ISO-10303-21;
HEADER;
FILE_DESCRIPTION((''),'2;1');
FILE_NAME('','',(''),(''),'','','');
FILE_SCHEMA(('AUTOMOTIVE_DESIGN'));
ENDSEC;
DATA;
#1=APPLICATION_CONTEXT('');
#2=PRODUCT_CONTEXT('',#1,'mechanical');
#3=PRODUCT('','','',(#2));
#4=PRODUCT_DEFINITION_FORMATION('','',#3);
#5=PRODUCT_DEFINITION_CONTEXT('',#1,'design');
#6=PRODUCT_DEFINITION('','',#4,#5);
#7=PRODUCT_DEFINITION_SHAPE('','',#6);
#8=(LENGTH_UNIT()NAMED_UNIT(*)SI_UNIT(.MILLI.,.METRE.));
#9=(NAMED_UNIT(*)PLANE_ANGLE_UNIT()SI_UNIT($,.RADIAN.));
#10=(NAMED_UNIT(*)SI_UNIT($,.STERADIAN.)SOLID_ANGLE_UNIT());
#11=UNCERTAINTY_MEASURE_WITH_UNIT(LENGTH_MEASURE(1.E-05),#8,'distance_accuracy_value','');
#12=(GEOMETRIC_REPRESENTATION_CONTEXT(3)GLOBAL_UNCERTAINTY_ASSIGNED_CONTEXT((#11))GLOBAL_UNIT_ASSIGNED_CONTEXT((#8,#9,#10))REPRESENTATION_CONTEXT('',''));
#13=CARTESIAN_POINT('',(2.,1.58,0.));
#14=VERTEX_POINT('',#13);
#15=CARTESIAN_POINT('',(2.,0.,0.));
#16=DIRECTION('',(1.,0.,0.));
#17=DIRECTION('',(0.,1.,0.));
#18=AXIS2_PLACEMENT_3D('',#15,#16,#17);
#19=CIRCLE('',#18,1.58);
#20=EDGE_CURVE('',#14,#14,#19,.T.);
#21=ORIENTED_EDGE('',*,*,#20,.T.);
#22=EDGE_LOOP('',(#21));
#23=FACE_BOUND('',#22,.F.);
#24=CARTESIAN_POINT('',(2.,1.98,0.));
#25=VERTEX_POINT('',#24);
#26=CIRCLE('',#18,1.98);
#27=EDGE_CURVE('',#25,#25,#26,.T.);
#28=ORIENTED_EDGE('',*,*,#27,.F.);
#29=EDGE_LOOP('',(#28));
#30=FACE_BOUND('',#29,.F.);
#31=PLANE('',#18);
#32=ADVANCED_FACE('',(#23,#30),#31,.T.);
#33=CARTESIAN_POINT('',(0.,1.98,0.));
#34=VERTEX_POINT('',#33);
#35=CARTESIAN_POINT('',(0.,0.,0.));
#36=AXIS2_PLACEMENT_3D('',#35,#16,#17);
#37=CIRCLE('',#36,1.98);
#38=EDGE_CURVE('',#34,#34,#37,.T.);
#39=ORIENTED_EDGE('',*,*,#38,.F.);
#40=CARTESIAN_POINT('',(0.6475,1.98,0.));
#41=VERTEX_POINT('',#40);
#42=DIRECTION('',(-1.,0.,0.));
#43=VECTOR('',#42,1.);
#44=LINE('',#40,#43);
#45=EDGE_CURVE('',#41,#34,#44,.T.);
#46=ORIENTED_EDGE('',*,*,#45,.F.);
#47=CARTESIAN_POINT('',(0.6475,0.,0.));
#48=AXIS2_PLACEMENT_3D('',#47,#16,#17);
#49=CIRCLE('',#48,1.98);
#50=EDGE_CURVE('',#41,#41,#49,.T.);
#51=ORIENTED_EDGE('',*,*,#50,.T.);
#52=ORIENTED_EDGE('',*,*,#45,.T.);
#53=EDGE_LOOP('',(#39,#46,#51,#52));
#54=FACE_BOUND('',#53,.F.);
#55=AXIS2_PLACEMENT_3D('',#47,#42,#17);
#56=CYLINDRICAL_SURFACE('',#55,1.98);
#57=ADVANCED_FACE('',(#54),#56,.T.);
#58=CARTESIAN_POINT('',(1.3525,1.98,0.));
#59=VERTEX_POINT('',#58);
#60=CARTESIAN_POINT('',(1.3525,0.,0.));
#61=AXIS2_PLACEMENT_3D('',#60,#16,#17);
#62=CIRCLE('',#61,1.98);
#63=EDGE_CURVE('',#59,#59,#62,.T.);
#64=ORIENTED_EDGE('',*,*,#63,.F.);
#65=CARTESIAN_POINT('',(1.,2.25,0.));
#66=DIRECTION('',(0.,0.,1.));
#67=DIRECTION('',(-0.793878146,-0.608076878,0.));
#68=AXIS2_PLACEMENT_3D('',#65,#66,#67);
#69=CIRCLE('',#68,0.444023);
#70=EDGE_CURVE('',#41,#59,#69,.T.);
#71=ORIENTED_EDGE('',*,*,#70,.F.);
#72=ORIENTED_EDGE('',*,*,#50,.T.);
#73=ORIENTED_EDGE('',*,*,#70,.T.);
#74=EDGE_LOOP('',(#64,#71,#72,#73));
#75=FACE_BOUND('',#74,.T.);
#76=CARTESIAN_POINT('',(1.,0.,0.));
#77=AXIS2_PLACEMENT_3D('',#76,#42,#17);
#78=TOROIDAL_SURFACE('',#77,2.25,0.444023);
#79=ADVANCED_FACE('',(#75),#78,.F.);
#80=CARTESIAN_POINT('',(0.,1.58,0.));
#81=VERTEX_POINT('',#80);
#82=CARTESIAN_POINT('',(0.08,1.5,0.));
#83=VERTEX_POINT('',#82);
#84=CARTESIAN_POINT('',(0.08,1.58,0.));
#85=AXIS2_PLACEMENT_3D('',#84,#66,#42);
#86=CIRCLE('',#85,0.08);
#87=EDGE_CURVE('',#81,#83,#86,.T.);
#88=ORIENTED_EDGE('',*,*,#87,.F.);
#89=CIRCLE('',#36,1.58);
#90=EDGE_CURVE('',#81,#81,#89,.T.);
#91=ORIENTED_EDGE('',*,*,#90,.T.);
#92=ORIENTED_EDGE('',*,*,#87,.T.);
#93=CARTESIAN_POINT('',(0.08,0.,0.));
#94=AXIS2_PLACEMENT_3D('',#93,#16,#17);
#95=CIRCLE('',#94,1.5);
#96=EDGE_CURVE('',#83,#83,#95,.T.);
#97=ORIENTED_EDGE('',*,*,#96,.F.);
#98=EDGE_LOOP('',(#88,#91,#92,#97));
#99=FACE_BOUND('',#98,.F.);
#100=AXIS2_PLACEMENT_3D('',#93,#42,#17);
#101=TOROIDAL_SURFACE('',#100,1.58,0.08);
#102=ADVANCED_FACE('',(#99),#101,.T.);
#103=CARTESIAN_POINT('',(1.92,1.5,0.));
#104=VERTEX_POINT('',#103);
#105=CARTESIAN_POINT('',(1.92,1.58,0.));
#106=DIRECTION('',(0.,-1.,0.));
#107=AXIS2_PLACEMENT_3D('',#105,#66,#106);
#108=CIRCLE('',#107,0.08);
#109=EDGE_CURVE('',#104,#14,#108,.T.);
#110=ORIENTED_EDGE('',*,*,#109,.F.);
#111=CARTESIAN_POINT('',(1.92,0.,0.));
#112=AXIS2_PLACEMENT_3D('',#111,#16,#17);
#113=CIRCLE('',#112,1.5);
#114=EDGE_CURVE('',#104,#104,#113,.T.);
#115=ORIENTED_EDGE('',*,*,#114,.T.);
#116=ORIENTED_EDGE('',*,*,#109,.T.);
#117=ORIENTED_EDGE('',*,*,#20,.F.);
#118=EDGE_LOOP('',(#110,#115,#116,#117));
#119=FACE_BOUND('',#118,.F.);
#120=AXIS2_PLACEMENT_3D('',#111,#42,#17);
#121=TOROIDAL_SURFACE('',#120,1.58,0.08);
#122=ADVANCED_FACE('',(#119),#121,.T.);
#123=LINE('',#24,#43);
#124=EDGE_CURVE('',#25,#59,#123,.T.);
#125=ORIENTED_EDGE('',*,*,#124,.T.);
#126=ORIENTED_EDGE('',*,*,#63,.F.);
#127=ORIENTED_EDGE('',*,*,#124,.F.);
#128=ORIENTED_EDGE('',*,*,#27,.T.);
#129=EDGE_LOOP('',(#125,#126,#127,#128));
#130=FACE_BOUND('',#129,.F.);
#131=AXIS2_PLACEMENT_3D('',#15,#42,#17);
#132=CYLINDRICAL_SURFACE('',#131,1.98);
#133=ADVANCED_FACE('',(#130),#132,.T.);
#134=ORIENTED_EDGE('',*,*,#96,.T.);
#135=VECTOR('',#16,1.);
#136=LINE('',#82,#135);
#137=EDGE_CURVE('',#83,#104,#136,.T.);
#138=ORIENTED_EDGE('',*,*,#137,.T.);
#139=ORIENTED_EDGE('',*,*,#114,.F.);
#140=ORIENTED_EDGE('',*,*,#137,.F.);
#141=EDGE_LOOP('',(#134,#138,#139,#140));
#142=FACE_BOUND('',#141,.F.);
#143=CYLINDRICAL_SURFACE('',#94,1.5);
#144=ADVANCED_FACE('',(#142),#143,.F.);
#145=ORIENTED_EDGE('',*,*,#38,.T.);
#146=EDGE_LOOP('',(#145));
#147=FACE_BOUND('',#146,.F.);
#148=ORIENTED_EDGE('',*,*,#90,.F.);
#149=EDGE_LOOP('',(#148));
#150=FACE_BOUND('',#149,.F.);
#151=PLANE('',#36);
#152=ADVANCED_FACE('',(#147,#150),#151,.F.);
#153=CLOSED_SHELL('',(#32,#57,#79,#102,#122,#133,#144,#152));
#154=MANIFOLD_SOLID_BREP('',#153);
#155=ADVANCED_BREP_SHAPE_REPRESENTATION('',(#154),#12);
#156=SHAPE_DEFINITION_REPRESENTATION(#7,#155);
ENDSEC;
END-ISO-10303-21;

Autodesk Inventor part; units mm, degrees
sketch "Sketch_1" plane through (0, 0, 0) normal (0, 0, 1) x (1, 0, 0)
  line L0 (2, 0) -> (0, 0)
  arc A0 (0, 1.58) -> (0.08, 1.5) centre (0.08, 1.58) ccw
  line L1 (0.08, 1.5) -> (1.92, 1.5)
  arc A1 (1.92, 1.5) -> (2, 1.58) centre (1.92, 1.58) ccw
  line L2 (2, 1.58) -> (2, 1.98)
  line L3 (2, 1.98) -> (1.3525, 1.98)
  arc A2 (0.6475, 1.98) -> (1.3525, 1.98) centre (1, 2.25) ccw
  line L4 (0.6475, 1.98) -> (0, 1.98)
  line L5 (0, 1.98) -> (0, 1.58)
revolve "Revolution1" add sketch "Sketch_1" angle 360 about axis through (2, 0, 0) along (1, 0, 0)
ref_plane "mss_ir_XY" through (0, 0, 0) normal (1, 0, 0) x (0, 0, -1)
ref_plane "mss_ir_YZ" through (0, 0, 0) normal (0, 0, -1) x (0, 1, 0)
ref_plane "mss_ir_ZX" through (0, 0, 0) normal (0, 1, 0) x (1, 0, 0)
properties part number "673 Inner ring"
